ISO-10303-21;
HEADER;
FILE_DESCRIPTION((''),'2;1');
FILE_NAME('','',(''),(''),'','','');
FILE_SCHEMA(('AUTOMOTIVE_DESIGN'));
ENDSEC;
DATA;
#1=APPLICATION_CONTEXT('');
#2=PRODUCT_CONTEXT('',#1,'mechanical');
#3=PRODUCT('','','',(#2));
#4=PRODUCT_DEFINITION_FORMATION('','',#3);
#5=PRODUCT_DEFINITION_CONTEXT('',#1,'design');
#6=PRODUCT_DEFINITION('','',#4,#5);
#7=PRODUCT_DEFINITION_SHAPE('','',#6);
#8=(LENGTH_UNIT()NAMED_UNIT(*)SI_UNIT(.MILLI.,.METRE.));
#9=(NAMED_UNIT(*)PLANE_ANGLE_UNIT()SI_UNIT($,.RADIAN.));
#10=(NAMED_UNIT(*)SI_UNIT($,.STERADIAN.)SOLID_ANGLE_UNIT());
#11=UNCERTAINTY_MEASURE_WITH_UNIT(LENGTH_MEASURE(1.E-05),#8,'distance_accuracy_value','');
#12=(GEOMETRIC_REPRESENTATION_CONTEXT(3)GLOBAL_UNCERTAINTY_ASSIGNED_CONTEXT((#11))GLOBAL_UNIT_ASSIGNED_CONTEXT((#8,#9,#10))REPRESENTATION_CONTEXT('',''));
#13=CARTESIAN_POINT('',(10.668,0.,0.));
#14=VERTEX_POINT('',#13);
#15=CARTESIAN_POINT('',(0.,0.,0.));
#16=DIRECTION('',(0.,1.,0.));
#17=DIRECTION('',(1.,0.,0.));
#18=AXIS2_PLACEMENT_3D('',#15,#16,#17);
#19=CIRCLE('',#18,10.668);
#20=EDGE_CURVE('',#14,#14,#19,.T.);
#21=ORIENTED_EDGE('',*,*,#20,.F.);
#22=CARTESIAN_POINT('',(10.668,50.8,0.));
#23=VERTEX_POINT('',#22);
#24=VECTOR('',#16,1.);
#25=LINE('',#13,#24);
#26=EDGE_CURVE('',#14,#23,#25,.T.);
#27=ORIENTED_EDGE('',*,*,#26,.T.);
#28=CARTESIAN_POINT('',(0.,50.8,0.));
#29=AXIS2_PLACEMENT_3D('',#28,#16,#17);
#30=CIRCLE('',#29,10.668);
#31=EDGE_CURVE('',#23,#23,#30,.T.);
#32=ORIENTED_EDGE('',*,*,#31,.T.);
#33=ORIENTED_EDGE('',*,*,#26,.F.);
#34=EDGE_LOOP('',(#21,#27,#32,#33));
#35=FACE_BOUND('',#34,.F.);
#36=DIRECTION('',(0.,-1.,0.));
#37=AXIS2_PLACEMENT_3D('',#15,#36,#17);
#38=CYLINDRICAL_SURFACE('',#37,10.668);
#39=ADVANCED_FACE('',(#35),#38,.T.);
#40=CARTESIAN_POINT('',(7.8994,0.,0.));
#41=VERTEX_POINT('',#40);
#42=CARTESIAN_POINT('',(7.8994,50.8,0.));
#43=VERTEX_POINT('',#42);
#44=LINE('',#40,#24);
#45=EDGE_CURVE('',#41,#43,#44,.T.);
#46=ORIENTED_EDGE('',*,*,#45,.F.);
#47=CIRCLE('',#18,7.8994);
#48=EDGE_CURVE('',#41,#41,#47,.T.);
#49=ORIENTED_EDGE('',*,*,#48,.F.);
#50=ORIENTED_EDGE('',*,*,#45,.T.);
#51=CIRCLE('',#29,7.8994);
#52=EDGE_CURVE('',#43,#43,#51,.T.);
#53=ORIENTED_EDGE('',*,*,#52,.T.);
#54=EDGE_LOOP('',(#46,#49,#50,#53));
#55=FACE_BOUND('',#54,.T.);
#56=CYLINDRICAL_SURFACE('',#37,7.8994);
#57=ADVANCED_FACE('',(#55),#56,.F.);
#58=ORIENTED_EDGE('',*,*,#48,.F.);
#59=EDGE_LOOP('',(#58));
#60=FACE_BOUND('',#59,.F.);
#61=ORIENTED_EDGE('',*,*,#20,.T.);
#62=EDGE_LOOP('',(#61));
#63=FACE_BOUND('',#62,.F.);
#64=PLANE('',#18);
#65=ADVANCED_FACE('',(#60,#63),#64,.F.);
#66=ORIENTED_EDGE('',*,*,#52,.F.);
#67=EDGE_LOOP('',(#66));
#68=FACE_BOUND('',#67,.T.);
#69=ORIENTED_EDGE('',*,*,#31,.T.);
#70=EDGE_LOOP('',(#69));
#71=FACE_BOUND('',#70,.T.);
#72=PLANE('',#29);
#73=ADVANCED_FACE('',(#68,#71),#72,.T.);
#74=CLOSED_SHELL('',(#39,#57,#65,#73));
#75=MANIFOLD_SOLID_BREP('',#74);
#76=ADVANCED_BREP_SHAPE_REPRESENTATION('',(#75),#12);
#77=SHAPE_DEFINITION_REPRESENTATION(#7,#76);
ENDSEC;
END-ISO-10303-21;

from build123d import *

# Parameters (mm, degrees)
SKETCH1_R           = 10.668
SKETCH1_R_2         = 7.8994
BOSS_EXTRUDE1_DEPTH = 50.8


with BuildPart() as part:
    # Sketch1 → Boss-Extrude1 (new body)
    with BuildSketch(Plane(origin=(0, 0, 0), x_dir=(1, 0, 0), z_dir=(0, 1, 0))):
        Circle(SKETCH1_R)
        Circle(SKETCH1_R_2, mode=Mode.SUBTRACT)
    extrude(amount=BOSS_EXTRUDE1_DEPTH)


solid = part.part
